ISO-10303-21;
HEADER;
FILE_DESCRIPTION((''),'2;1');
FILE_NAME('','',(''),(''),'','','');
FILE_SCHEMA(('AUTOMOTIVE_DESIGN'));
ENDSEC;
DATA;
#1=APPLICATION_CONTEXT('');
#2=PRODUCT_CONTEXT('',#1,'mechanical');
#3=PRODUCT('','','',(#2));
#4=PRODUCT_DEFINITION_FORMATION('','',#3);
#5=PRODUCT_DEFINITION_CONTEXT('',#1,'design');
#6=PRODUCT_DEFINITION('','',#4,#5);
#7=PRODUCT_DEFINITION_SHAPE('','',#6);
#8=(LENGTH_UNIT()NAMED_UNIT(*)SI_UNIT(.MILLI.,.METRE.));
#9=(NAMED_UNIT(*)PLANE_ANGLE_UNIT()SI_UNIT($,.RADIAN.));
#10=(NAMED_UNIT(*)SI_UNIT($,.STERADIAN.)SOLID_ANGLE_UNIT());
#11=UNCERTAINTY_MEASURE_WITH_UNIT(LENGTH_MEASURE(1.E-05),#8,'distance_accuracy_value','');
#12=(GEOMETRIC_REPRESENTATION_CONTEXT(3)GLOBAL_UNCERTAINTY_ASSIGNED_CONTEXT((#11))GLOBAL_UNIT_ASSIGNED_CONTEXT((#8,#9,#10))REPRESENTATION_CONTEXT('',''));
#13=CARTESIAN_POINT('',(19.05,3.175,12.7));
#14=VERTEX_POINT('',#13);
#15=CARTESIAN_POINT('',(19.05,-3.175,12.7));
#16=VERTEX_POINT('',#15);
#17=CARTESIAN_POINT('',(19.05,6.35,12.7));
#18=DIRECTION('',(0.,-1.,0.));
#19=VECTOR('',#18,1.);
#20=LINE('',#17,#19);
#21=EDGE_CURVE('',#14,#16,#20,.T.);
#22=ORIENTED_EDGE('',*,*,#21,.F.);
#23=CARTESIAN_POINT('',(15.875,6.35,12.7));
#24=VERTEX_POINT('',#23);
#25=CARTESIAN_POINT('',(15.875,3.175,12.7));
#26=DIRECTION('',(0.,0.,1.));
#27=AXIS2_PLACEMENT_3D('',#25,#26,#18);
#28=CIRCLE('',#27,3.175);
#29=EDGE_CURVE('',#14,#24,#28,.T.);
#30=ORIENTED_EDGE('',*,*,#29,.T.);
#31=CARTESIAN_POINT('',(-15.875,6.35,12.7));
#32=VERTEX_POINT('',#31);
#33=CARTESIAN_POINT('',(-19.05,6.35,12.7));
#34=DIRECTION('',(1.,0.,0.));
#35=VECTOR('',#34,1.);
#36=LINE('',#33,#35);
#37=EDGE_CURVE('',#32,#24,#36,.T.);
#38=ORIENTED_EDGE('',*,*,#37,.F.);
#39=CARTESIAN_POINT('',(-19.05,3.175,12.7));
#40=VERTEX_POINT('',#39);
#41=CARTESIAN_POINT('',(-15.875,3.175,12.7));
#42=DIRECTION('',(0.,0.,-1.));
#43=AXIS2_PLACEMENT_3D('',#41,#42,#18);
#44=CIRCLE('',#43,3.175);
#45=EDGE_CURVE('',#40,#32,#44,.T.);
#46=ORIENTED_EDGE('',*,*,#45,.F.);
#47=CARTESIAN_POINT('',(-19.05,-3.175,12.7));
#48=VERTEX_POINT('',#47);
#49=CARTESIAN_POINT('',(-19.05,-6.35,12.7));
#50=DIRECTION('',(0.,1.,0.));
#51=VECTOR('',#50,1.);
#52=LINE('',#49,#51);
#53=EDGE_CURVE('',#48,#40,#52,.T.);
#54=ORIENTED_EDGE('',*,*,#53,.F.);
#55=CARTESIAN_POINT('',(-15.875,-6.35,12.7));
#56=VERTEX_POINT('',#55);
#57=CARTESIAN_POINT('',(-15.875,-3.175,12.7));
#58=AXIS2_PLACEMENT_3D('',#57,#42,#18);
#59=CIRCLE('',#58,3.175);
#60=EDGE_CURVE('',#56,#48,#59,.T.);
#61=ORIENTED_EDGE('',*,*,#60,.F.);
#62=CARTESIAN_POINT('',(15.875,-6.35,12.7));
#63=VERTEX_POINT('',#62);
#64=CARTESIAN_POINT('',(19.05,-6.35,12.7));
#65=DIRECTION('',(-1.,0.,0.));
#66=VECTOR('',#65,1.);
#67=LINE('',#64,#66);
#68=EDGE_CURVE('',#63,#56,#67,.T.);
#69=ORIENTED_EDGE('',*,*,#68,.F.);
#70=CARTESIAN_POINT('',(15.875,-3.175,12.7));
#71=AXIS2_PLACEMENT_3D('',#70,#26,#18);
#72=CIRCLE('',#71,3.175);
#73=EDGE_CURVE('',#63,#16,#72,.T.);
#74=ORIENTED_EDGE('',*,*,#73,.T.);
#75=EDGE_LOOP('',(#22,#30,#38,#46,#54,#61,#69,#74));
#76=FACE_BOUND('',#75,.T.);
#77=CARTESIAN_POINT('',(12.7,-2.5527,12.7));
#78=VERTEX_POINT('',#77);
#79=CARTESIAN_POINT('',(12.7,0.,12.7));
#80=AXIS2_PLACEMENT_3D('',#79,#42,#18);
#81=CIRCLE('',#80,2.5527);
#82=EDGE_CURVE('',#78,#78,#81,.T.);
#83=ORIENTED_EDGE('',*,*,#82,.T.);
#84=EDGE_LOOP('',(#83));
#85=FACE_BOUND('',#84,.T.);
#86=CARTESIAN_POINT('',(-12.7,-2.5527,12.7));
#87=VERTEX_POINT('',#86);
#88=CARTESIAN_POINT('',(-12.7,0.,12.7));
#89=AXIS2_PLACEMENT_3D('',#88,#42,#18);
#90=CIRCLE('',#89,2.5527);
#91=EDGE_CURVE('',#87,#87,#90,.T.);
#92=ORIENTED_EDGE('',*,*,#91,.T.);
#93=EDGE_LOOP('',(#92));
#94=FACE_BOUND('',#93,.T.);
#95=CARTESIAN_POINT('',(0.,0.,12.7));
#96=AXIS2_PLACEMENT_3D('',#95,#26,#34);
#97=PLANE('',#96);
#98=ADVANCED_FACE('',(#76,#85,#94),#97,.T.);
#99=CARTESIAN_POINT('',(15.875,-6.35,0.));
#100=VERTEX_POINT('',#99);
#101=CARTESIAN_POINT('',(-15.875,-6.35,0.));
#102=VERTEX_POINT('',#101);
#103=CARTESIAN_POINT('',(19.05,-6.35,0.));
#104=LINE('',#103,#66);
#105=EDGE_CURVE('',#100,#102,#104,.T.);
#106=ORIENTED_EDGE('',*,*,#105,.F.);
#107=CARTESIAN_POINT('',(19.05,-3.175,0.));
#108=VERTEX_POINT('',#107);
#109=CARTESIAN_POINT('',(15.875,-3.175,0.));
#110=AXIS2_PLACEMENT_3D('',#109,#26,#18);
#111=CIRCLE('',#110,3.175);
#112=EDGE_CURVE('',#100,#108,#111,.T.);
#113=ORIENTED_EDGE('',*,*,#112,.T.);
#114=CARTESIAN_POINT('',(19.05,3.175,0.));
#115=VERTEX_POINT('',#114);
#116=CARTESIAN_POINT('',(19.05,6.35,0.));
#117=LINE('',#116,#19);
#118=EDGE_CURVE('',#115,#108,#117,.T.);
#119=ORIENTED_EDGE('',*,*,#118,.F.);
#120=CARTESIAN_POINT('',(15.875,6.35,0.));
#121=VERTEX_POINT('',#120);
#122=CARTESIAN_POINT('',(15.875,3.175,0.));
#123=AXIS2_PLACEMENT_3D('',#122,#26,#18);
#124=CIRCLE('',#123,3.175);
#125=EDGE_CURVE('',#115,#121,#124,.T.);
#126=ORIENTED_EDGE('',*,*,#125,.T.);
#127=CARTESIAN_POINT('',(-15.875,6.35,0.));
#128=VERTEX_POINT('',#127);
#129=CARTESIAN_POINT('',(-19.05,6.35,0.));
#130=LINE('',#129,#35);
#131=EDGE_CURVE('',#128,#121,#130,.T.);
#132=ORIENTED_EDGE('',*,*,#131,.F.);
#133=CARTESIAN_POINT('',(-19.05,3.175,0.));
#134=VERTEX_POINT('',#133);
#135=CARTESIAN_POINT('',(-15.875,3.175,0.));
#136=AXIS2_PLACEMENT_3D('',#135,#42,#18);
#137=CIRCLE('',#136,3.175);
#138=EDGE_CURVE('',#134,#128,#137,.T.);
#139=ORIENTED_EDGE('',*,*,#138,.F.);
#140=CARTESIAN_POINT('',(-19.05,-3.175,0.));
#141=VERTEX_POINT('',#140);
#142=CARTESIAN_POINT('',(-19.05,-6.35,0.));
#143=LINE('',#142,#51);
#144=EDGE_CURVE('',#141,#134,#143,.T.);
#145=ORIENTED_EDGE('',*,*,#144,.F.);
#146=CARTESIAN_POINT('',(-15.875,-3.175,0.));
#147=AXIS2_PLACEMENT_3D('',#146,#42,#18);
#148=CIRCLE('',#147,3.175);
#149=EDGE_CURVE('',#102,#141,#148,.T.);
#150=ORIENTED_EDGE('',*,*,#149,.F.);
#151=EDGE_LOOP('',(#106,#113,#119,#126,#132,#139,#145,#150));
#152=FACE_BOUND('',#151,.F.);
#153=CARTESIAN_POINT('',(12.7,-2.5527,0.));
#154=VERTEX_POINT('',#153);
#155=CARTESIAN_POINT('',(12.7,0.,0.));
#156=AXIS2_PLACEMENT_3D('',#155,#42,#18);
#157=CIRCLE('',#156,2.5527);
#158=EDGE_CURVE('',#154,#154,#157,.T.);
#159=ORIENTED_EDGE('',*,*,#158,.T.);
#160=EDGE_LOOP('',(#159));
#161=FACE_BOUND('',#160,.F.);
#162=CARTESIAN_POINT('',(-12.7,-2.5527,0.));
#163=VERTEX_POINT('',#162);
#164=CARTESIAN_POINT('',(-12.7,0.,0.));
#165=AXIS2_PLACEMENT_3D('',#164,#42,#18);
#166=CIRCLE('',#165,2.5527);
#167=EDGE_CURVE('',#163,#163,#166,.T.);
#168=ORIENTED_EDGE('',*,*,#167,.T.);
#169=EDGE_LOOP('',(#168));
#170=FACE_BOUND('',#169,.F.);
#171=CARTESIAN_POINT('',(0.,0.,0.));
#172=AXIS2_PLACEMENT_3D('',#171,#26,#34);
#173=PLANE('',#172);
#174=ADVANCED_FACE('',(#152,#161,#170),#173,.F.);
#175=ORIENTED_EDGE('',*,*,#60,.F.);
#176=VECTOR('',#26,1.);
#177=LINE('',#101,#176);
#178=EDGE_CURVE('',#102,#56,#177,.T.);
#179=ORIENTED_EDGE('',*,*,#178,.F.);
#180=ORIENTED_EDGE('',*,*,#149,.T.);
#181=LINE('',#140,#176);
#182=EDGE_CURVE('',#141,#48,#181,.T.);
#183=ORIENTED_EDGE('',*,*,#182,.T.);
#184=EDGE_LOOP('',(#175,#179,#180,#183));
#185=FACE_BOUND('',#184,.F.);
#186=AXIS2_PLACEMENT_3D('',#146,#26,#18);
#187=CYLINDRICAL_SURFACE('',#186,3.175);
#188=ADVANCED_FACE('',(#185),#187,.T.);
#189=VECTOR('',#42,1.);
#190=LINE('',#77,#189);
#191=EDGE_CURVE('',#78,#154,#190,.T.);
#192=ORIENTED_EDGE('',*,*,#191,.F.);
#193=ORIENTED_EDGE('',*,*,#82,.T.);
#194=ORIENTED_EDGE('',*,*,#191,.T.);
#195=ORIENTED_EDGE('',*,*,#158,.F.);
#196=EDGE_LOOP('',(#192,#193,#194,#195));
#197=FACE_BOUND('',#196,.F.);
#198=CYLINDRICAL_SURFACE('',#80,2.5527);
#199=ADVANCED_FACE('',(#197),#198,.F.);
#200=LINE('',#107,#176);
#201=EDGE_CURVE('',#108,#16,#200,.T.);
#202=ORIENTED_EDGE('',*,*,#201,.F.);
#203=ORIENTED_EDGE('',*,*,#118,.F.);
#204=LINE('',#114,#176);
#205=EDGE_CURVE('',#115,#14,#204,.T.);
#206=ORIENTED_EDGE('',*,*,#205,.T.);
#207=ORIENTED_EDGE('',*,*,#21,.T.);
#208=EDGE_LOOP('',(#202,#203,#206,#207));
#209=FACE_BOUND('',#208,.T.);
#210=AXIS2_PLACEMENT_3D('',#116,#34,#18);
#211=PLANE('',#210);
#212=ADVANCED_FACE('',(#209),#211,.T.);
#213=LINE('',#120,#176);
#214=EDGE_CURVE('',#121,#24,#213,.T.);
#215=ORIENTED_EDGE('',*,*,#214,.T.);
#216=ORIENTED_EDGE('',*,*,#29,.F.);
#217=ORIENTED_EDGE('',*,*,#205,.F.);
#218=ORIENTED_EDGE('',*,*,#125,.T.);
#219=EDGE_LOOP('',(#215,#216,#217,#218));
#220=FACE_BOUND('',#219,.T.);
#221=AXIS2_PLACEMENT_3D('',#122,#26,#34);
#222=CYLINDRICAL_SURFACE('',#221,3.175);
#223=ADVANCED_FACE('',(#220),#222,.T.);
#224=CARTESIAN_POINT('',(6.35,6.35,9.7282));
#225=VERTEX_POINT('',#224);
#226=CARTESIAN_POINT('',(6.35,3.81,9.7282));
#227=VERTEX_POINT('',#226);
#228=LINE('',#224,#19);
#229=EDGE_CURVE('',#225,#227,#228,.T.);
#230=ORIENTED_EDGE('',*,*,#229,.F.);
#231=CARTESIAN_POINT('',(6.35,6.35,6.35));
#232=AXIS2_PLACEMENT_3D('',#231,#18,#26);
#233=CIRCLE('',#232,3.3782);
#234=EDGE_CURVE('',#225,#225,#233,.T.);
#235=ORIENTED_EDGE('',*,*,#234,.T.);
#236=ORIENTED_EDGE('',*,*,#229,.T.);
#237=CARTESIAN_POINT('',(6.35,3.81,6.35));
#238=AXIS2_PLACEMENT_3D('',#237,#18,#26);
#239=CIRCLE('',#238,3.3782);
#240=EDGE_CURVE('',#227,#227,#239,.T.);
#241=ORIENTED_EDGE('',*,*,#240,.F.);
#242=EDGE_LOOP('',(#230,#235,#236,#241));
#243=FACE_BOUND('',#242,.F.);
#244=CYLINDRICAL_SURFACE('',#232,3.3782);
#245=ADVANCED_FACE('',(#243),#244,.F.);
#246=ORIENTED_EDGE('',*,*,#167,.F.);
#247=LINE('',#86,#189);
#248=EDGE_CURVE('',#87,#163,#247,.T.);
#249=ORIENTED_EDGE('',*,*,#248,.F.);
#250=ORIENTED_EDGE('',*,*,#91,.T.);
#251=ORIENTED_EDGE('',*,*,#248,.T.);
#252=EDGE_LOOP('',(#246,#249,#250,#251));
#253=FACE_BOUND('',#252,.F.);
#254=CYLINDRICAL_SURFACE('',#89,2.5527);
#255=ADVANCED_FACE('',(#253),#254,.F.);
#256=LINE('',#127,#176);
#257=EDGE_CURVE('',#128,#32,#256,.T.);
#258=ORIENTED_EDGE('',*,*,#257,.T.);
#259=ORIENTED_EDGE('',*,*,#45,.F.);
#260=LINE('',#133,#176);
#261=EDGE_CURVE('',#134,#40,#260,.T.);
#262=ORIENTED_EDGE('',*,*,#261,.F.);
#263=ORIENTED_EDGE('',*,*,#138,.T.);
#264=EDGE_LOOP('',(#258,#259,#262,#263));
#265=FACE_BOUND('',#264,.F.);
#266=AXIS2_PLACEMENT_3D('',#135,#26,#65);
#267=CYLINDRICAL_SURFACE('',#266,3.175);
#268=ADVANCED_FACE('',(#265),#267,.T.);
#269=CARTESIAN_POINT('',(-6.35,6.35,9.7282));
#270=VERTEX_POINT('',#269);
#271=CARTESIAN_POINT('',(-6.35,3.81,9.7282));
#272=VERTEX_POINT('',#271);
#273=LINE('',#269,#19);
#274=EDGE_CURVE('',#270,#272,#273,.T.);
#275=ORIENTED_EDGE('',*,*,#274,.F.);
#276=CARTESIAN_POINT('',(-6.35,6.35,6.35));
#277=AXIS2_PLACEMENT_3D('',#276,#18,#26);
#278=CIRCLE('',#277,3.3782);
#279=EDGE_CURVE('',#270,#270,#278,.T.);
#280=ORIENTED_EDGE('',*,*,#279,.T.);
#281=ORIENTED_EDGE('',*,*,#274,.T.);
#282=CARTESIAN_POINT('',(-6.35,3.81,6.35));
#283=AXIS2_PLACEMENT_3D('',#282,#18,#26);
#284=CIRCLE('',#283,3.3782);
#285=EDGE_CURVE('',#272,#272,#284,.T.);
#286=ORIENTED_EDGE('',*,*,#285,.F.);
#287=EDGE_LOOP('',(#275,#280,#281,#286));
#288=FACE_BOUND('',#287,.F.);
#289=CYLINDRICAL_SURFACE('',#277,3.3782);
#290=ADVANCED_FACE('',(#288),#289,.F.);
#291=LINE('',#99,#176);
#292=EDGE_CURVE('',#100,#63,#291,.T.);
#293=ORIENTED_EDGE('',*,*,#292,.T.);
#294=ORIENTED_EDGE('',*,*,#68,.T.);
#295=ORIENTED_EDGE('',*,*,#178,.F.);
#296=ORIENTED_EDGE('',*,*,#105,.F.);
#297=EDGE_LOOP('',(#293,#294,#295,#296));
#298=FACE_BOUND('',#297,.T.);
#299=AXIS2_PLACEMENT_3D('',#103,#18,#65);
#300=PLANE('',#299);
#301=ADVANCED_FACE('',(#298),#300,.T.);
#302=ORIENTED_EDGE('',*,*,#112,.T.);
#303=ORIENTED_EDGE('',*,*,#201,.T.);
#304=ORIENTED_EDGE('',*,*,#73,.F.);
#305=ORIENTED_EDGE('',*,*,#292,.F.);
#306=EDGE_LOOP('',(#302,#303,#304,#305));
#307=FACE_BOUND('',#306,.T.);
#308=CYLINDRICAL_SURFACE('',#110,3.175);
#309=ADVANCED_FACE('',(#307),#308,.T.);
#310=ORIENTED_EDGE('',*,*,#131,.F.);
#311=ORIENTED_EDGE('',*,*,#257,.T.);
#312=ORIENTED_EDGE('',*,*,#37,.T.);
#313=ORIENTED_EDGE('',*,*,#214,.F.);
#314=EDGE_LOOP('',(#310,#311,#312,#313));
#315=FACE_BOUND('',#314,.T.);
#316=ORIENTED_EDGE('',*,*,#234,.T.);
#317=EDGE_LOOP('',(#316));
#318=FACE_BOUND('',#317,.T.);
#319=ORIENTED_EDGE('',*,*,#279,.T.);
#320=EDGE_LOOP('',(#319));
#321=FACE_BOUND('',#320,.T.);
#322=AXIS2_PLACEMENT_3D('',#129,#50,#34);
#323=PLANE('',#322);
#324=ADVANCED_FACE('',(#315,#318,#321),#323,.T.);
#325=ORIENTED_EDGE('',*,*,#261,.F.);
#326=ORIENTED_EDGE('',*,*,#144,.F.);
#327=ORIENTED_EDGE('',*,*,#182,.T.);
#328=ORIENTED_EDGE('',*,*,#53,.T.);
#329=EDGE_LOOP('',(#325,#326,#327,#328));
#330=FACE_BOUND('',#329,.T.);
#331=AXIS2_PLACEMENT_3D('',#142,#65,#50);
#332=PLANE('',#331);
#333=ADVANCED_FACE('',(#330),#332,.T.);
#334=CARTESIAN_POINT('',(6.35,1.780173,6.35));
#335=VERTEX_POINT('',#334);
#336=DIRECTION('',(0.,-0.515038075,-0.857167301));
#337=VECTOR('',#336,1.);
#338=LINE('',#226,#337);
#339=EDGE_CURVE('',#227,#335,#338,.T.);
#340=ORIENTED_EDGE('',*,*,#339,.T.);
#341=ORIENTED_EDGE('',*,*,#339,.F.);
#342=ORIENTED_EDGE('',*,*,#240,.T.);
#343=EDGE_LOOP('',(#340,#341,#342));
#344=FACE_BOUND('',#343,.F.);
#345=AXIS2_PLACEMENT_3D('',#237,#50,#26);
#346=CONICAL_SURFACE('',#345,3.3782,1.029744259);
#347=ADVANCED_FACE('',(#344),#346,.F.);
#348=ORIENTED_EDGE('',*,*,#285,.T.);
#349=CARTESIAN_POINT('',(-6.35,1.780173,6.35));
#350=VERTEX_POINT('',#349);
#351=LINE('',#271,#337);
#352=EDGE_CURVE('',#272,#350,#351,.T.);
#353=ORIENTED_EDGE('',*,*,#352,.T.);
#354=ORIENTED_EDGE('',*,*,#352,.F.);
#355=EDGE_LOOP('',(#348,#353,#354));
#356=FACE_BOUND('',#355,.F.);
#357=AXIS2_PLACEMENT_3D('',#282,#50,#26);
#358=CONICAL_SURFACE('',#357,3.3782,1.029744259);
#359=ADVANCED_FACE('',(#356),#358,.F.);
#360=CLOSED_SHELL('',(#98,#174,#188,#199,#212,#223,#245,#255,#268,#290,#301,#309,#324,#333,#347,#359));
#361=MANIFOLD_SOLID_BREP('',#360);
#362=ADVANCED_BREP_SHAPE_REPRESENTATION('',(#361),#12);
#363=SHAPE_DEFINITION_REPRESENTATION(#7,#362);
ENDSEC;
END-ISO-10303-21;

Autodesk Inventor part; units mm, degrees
ref_plane "YZ Plane" through (0, 0, 0) normal (1, 0, 0) x (0, 1, 0)
ref_plane "XZ Plane" through (0, 0, 0) normal (0, 1, 0) x (-1, 0, 0)
ref_plane "XY Plane" through (0, 0, 0) normal (0, 0, 1) x (1, 0, 0)
sketch "Sketch1" plane through (0, 0, 0) normal (0, 0, 1) x (1, 0, 0)
  line L0 (19.05, -6.35) -> (-19.05, -6.35)
  line L1 (-19.05, -6.35) -> (-19.05, 6.35)
  line L2 (-19.05, 6.35) -> (19.05, 6.35)
  line L3 (19.05, 6.35) -> (19.05, -6.35)
  line L4 (19.05, -6.35) -> (-19.05, 6.35) construction
  line L5 (-19.05, -6.35) -> (19.05, 6.35) construction
  point P0 (0, 0)
  dimension "d0" = 38.1
  dimension "d1" = 12.7
extrude "Extrusion1" add sketch "Sketch1" along normal blind 12.7
sketch "Sketch2" plane through (-19.05, 6.35, 0) normal (0, 1, 0) x (1, 0, 0)
  line L0 (0, 0) -> (0, -12.7) construction
  line L1 (12.7, -6.35) -> (25.4, -6.35) construction
  line L2 (38.1, 0) -> (0, 0) construction
  line L3 (38.1, -12.7) -> (0, -12.7) construction
  point P0 (19.05, 0)
  point P1 (0, -6.35)
  point P2 (19.05, -6.35)
  point P3 (19.05, 0)
  point P4 (19.05, 0)
  dimension "d4" = 12.7
  dimension "d20" = 6.35
sketch "Sketch3" plane through (0, 0, 12.7) normal (0, 0, 1) x (1, 0, 0)
  line L0 (-12.7, 0) -> (12.7, 0) construction
  line L1 (-19.05, 6.35) -> (-19.05, -6.35) construction
  line L2 (19.05, 6.35) -> (-19.05, 6.35) construction
  point P0 (0, 0)
  point P1 (-19.05, 0)
  point P2 (0, 0)
  point P3 (0, 6.35)
  dimension "d12" = 25.4
hole "Hole2" at (-12.7, 0, 12.7) at (12.7, 0, 12.7) direction (0, 0, -1) diameter 5.1054 end through all clearance for "Flat Head Machine Screw (82)" size "#10" standard "Ansi Unified Screw Threads"
hole "Hole3" at (-6.35, 6.35, 6.35) at (6.35, 6.35, 6.35) direction (0, -1, 0) diameter 6.7564 depth 2.54 tip angle 118 clearance for "Flat Head Machine Screw (82)" size "1/4" standard "Ansi Unified Screw Threads"
fillet "Fillet1" radius 3.175 4 edges at (-19.05, 6.35, 6.35) (-19.05, -6.35, 6.35) (19.05, 6.35, 6.35) (19.05, -6.35, 6.35)
properties part number "CL7-GB-004" material "Aluminum 6061"
